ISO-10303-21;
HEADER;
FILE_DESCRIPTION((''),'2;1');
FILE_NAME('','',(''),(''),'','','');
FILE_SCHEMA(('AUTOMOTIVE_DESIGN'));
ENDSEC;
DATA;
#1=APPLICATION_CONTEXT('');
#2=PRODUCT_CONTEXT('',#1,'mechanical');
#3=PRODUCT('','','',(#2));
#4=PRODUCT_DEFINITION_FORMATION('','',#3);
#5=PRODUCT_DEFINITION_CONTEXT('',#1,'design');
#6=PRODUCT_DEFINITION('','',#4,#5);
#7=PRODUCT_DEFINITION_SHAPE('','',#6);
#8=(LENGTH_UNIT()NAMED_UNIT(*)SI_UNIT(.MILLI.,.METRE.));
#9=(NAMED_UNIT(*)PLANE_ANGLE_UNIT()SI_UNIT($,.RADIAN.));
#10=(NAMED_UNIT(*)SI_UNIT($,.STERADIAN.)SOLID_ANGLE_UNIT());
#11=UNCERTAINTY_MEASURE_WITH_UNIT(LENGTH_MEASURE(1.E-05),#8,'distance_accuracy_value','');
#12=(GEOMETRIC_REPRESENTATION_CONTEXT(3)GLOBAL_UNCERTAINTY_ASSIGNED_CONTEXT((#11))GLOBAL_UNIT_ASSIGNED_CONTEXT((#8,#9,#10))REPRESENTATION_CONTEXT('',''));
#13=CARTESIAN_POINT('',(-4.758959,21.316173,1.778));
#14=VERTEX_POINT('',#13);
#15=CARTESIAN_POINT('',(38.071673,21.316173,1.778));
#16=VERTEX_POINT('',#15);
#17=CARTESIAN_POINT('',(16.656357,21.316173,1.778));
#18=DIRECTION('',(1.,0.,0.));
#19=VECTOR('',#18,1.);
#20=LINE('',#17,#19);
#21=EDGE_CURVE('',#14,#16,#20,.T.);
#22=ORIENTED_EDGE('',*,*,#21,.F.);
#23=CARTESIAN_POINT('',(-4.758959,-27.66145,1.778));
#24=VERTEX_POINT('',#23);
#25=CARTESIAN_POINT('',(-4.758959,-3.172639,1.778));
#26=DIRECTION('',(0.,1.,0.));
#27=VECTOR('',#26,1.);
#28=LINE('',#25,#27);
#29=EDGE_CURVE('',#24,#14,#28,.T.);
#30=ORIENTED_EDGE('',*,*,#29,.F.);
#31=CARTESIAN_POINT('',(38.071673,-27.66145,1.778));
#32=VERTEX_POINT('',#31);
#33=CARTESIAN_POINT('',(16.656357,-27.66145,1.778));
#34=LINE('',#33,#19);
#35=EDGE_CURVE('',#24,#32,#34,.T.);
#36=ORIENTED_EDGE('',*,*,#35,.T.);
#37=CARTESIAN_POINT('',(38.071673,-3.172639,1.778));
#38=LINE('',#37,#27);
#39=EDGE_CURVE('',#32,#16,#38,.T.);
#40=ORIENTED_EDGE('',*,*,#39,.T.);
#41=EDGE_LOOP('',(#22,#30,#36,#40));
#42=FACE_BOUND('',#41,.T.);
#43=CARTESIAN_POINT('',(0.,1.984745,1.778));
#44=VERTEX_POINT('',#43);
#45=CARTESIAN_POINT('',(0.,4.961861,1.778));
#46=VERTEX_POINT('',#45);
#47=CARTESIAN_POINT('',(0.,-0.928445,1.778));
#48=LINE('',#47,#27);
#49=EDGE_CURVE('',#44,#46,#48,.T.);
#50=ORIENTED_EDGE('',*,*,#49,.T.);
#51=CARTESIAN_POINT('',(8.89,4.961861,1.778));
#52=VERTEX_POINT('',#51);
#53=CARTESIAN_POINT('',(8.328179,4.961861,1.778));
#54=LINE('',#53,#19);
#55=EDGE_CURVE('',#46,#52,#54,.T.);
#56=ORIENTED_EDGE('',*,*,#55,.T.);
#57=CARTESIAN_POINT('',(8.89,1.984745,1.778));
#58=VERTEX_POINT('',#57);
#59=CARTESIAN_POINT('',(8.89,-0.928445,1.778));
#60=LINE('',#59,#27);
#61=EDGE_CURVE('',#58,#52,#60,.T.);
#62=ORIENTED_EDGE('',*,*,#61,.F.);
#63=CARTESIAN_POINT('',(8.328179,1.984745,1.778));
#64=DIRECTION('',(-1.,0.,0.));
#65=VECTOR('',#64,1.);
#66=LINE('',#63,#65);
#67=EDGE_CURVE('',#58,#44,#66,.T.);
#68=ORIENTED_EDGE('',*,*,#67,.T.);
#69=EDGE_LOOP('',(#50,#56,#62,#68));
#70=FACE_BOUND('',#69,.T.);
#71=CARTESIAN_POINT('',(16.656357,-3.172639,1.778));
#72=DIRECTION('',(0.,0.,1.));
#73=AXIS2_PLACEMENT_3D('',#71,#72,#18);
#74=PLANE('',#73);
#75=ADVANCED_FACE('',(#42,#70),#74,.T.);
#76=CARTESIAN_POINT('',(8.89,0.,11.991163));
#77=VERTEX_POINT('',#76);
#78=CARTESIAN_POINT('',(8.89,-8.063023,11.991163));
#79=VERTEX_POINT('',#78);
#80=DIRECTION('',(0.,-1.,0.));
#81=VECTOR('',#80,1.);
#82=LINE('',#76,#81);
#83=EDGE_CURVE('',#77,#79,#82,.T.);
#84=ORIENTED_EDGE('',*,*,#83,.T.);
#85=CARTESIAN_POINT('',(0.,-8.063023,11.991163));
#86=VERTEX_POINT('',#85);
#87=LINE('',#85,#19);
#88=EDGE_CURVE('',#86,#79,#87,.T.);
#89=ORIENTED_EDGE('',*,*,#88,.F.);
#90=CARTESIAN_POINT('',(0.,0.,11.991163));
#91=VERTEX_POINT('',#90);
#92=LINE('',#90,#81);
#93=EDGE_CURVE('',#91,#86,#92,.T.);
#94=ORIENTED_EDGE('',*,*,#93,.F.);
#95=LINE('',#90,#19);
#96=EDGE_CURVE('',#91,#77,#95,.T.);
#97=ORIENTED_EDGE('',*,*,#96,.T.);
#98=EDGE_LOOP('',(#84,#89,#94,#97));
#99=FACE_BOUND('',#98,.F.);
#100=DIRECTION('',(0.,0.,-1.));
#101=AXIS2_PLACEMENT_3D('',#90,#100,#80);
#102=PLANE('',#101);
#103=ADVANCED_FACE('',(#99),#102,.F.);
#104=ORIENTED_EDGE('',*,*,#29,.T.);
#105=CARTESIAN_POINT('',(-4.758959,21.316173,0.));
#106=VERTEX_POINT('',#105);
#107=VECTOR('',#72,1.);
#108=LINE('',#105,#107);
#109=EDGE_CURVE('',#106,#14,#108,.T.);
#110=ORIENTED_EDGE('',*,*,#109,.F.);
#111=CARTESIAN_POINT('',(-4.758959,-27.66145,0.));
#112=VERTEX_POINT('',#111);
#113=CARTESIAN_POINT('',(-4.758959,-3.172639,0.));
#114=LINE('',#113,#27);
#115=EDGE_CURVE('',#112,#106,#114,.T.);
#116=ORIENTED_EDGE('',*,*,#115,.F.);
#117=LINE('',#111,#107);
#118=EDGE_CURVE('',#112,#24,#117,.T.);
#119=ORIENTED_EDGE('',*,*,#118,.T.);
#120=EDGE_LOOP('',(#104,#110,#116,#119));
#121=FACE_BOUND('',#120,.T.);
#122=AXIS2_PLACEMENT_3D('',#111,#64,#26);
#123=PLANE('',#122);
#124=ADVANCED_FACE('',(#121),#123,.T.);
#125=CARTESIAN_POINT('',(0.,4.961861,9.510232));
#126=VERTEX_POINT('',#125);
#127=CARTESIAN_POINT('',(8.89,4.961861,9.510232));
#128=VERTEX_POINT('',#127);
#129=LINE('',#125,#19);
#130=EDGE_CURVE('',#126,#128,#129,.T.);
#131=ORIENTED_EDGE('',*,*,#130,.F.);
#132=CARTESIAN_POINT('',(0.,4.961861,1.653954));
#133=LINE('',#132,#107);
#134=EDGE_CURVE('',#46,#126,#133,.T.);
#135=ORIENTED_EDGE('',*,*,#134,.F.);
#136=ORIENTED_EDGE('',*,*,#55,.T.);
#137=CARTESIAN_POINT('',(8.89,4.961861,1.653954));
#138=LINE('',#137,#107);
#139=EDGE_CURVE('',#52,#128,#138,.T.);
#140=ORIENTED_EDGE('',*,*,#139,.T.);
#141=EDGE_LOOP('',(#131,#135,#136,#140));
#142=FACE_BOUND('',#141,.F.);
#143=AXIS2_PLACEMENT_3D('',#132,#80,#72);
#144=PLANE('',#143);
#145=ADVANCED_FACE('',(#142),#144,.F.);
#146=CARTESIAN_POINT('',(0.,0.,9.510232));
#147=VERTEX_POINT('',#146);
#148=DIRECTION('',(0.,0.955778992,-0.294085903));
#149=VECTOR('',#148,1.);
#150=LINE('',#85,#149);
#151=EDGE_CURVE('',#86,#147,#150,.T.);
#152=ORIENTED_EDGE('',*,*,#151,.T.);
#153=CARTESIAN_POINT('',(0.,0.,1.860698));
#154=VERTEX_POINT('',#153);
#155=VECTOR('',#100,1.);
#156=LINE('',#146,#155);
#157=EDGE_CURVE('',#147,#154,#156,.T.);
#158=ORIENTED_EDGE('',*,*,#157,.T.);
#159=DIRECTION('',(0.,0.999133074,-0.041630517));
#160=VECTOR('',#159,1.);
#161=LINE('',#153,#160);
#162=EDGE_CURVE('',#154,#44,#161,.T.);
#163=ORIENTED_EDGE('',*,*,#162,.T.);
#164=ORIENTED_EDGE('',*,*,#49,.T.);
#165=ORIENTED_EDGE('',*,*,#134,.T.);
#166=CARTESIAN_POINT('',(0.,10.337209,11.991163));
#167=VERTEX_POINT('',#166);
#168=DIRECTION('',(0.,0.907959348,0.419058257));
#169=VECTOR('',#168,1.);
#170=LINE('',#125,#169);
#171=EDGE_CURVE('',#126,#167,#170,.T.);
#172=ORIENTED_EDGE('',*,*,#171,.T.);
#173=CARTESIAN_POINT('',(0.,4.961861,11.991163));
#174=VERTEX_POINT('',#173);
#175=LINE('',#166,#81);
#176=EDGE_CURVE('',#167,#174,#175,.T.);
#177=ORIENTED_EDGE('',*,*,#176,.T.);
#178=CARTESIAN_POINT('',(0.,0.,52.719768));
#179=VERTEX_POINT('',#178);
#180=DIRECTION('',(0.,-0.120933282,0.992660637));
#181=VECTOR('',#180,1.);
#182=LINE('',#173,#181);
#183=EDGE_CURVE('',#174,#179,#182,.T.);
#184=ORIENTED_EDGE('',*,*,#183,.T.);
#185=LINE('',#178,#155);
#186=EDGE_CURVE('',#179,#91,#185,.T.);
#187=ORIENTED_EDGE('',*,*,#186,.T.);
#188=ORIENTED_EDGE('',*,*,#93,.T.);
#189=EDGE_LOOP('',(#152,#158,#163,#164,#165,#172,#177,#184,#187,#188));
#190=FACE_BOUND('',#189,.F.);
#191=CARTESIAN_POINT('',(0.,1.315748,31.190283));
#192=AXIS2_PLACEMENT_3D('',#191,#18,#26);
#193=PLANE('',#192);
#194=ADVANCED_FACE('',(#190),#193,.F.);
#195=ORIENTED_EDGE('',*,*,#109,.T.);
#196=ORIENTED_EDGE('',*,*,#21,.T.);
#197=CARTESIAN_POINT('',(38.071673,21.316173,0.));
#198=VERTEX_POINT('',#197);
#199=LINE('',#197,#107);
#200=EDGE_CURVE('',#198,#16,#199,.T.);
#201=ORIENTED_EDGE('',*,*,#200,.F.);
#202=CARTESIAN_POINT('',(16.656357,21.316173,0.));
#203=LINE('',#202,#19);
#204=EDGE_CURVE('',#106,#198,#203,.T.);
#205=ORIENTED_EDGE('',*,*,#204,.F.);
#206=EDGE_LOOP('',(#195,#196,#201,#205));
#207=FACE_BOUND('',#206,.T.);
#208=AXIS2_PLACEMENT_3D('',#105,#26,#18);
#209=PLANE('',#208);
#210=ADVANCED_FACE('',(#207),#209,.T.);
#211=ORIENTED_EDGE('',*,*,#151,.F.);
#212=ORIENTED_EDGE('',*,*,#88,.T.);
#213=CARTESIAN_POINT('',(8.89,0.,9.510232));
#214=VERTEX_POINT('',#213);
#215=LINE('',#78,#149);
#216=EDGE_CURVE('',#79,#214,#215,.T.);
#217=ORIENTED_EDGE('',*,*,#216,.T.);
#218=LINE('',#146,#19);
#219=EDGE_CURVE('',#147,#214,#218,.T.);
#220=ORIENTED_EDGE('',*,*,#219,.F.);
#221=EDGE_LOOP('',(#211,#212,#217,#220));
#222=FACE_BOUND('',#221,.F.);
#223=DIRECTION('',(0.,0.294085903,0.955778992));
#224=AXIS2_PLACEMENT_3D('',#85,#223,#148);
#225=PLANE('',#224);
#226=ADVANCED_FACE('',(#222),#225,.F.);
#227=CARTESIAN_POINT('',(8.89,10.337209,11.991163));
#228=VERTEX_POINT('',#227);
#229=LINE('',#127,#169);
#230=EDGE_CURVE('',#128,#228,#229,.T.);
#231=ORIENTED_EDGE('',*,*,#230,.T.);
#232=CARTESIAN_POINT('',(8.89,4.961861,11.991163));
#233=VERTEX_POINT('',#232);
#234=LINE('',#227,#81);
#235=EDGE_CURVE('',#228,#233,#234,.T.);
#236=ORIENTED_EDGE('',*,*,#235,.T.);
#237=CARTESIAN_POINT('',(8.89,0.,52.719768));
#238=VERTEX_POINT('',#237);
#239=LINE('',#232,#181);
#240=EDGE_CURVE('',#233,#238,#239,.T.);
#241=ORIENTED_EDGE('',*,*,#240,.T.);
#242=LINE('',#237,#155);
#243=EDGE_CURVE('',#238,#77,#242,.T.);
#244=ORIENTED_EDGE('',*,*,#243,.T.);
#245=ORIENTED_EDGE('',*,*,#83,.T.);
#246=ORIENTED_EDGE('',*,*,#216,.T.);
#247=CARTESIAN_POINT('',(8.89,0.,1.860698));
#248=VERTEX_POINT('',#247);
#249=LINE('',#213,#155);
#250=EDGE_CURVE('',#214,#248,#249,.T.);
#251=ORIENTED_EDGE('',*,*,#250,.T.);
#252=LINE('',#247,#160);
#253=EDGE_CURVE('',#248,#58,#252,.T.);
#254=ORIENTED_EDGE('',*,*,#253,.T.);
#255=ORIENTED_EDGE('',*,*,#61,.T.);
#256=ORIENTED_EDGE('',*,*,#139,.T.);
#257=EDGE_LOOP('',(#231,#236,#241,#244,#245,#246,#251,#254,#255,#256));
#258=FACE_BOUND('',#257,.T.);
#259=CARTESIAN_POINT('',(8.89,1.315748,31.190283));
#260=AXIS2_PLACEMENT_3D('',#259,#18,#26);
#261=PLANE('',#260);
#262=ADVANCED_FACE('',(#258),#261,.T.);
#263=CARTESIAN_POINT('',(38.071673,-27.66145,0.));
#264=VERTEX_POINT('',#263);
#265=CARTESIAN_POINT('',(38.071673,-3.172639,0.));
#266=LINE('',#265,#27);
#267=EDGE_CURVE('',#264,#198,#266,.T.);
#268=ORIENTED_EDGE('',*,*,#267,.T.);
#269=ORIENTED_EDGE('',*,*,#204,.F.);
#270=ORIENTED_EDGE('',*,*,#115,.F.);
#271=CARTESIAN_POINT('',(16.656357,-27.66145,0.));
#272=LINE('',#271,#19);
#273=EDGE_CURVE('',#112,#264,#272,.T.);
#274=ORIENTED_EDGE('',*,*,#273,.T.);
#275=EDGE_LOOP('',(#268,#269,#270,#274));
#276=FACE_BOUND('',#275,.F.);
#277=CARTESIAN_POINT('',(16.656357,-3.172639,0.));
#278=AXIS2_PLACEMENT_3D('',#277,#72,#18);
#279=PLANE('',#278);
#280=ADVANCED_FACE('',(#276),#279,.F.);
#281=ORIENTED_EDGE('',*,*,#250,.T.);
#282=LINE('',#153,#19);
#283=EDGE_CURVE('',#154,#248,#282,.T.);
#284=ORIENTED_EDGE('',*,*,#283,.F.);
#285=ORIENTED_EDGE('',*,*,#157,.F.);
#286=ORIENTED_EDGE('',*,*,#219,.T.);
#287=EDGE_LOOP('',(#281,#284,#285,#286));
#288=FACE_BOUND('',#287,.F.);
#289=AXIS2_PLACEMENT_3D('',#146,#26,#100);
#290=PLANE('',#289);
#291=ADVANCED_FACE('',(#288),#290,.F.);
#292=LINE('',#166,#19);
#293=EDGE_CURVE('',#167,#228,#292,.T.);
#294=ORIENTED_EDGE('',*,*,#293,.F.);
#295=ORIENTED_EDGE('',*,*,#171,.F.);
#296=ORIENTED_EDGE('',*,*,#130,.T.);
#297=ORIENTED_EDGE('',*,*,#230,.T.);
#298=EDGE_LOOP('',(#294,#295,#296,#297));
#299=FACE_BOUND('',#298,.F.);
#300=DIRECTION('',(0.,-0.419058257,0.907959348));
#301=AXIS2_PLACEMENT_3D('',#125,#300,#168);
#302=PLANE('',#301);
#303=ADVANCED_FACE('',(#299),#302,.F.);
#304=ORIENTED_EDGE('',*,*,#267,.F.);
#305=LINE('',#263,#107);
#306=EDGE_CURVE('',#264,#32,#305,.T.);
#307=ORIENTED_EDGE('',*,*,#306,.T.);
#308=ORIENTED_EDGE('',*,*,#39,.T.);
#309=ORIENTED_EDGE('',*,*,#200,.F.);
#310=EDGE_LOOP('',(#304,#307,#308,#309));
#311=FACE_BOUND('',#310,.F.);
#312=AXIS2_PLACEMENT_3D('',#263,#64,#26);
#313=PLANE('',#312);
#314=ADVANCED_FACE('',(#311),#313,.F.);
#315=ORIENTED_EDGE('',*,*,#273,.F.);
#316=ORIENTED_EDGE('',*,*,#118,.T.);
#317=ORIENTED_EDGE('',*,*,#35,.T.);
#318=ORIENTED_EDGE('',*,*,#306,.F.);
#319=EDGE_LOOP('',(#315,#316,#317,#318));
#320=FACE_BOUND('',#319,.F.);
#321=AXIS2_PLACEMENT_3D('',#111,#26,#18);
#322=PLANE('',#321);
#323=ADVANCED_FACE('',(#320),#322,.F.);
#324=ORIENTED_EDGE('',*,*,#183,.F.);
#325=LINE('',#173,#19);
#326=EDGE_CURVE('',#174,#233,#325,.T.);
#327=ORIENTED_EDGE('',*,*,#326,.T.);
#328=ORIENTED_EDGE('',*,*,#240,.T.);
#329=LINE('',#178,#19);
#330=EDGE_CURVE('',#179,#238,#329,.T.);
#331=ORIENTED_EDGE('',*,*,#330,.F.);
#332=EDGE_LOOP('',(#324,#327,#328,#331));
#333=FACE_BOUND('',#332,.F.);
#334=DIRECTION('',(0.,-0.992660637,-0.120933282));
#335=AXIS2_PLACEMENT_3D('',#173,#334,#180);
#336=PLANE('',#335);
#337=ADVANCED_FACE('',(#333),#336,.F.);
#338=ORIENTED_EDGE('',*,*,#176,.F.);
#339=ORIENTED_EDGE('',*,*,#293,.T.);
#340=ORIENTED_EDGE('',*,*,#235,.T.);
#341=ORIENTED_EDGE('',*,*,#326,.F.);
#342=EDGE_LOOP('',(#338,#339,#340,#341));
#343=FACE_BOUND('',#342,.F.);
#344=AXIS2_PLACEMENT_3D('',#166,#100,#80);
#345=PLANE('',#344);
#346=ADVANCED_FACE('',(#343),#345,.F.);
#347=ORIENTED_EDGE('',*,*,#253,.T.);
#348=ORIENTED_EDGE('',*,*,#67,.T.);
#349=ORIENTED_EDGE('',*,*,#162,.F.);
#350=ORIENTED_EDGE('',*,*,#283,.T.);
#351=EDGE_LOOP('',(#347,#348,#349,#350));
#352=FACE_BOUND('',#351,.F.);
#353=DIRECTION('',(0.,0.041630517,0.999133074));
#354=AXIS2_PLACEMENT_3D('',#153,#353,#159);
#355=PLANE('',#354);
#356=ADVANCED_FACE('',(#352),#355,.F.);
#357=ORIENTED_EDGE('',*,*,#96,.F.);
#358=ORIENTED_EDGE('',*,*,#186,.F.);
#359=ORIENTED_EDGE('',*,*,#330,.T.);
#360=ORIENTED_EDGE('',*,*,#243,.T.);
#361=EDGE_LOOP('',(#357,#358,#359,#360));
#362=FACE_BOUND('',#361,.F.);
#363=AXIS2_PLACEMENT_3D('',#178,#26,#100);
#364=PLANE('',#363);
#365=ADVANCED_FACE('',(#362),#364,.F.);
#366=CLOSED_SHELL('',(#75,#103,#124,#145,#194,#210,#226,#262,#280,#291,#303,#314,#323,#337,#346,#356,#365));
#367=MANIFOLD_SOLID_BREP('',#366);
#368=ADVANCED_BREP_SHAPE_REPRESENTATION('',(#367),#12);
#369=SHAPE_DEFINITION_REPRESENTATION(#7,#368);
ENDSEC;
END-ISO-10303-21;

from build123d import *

# Parameters (mm, degrees)
F1_W     = 42.8306325339
F1_H     = 48.977623228
F2_DEPTH = 1.778
F0_W     = 4.9618608318
F0_H     = 2.4809306487
F3_DEPTH = 8.89


with BuildPart() as f2:
    # F1 (on Top) → F2 (new body)
    with BuildSketch(Plane.XY):
        with Locations((16.6563570965, -3.1726385932)):
            Rectangle(F1_W, F1_H)
    extrude(amount=F2_DEPTH)

    # F0 (on Right) → F3 (join)
    with BuildSketch(Plane.YZ):
        Polygon((4.9618608318, 11.9911627844), (0, 52.7197681367), (0, 11.9911627844), align=None)
        with Locations((2.4809304159, 10.75069746)):
            Rectangle(F0_W, F0_H)
        Polygon((10.337209329, 11.9911627844), (4.9618608318, 11.9911627844), (4.9618608318, 9.5102321357), align=None)
        Polygon((0, 9.5102321357), (0, 11.9911627844), (-8.0630229786, 11.9911627844), align=None)
        Polygon((4.9618608318, 1.6539535718), (4.9618608318, 9.5102321357), (0, 9.5102321357), (0, 1.8606976373), align=None)
    extrude(amount=F3_DEPTH)


solid = f2.part
